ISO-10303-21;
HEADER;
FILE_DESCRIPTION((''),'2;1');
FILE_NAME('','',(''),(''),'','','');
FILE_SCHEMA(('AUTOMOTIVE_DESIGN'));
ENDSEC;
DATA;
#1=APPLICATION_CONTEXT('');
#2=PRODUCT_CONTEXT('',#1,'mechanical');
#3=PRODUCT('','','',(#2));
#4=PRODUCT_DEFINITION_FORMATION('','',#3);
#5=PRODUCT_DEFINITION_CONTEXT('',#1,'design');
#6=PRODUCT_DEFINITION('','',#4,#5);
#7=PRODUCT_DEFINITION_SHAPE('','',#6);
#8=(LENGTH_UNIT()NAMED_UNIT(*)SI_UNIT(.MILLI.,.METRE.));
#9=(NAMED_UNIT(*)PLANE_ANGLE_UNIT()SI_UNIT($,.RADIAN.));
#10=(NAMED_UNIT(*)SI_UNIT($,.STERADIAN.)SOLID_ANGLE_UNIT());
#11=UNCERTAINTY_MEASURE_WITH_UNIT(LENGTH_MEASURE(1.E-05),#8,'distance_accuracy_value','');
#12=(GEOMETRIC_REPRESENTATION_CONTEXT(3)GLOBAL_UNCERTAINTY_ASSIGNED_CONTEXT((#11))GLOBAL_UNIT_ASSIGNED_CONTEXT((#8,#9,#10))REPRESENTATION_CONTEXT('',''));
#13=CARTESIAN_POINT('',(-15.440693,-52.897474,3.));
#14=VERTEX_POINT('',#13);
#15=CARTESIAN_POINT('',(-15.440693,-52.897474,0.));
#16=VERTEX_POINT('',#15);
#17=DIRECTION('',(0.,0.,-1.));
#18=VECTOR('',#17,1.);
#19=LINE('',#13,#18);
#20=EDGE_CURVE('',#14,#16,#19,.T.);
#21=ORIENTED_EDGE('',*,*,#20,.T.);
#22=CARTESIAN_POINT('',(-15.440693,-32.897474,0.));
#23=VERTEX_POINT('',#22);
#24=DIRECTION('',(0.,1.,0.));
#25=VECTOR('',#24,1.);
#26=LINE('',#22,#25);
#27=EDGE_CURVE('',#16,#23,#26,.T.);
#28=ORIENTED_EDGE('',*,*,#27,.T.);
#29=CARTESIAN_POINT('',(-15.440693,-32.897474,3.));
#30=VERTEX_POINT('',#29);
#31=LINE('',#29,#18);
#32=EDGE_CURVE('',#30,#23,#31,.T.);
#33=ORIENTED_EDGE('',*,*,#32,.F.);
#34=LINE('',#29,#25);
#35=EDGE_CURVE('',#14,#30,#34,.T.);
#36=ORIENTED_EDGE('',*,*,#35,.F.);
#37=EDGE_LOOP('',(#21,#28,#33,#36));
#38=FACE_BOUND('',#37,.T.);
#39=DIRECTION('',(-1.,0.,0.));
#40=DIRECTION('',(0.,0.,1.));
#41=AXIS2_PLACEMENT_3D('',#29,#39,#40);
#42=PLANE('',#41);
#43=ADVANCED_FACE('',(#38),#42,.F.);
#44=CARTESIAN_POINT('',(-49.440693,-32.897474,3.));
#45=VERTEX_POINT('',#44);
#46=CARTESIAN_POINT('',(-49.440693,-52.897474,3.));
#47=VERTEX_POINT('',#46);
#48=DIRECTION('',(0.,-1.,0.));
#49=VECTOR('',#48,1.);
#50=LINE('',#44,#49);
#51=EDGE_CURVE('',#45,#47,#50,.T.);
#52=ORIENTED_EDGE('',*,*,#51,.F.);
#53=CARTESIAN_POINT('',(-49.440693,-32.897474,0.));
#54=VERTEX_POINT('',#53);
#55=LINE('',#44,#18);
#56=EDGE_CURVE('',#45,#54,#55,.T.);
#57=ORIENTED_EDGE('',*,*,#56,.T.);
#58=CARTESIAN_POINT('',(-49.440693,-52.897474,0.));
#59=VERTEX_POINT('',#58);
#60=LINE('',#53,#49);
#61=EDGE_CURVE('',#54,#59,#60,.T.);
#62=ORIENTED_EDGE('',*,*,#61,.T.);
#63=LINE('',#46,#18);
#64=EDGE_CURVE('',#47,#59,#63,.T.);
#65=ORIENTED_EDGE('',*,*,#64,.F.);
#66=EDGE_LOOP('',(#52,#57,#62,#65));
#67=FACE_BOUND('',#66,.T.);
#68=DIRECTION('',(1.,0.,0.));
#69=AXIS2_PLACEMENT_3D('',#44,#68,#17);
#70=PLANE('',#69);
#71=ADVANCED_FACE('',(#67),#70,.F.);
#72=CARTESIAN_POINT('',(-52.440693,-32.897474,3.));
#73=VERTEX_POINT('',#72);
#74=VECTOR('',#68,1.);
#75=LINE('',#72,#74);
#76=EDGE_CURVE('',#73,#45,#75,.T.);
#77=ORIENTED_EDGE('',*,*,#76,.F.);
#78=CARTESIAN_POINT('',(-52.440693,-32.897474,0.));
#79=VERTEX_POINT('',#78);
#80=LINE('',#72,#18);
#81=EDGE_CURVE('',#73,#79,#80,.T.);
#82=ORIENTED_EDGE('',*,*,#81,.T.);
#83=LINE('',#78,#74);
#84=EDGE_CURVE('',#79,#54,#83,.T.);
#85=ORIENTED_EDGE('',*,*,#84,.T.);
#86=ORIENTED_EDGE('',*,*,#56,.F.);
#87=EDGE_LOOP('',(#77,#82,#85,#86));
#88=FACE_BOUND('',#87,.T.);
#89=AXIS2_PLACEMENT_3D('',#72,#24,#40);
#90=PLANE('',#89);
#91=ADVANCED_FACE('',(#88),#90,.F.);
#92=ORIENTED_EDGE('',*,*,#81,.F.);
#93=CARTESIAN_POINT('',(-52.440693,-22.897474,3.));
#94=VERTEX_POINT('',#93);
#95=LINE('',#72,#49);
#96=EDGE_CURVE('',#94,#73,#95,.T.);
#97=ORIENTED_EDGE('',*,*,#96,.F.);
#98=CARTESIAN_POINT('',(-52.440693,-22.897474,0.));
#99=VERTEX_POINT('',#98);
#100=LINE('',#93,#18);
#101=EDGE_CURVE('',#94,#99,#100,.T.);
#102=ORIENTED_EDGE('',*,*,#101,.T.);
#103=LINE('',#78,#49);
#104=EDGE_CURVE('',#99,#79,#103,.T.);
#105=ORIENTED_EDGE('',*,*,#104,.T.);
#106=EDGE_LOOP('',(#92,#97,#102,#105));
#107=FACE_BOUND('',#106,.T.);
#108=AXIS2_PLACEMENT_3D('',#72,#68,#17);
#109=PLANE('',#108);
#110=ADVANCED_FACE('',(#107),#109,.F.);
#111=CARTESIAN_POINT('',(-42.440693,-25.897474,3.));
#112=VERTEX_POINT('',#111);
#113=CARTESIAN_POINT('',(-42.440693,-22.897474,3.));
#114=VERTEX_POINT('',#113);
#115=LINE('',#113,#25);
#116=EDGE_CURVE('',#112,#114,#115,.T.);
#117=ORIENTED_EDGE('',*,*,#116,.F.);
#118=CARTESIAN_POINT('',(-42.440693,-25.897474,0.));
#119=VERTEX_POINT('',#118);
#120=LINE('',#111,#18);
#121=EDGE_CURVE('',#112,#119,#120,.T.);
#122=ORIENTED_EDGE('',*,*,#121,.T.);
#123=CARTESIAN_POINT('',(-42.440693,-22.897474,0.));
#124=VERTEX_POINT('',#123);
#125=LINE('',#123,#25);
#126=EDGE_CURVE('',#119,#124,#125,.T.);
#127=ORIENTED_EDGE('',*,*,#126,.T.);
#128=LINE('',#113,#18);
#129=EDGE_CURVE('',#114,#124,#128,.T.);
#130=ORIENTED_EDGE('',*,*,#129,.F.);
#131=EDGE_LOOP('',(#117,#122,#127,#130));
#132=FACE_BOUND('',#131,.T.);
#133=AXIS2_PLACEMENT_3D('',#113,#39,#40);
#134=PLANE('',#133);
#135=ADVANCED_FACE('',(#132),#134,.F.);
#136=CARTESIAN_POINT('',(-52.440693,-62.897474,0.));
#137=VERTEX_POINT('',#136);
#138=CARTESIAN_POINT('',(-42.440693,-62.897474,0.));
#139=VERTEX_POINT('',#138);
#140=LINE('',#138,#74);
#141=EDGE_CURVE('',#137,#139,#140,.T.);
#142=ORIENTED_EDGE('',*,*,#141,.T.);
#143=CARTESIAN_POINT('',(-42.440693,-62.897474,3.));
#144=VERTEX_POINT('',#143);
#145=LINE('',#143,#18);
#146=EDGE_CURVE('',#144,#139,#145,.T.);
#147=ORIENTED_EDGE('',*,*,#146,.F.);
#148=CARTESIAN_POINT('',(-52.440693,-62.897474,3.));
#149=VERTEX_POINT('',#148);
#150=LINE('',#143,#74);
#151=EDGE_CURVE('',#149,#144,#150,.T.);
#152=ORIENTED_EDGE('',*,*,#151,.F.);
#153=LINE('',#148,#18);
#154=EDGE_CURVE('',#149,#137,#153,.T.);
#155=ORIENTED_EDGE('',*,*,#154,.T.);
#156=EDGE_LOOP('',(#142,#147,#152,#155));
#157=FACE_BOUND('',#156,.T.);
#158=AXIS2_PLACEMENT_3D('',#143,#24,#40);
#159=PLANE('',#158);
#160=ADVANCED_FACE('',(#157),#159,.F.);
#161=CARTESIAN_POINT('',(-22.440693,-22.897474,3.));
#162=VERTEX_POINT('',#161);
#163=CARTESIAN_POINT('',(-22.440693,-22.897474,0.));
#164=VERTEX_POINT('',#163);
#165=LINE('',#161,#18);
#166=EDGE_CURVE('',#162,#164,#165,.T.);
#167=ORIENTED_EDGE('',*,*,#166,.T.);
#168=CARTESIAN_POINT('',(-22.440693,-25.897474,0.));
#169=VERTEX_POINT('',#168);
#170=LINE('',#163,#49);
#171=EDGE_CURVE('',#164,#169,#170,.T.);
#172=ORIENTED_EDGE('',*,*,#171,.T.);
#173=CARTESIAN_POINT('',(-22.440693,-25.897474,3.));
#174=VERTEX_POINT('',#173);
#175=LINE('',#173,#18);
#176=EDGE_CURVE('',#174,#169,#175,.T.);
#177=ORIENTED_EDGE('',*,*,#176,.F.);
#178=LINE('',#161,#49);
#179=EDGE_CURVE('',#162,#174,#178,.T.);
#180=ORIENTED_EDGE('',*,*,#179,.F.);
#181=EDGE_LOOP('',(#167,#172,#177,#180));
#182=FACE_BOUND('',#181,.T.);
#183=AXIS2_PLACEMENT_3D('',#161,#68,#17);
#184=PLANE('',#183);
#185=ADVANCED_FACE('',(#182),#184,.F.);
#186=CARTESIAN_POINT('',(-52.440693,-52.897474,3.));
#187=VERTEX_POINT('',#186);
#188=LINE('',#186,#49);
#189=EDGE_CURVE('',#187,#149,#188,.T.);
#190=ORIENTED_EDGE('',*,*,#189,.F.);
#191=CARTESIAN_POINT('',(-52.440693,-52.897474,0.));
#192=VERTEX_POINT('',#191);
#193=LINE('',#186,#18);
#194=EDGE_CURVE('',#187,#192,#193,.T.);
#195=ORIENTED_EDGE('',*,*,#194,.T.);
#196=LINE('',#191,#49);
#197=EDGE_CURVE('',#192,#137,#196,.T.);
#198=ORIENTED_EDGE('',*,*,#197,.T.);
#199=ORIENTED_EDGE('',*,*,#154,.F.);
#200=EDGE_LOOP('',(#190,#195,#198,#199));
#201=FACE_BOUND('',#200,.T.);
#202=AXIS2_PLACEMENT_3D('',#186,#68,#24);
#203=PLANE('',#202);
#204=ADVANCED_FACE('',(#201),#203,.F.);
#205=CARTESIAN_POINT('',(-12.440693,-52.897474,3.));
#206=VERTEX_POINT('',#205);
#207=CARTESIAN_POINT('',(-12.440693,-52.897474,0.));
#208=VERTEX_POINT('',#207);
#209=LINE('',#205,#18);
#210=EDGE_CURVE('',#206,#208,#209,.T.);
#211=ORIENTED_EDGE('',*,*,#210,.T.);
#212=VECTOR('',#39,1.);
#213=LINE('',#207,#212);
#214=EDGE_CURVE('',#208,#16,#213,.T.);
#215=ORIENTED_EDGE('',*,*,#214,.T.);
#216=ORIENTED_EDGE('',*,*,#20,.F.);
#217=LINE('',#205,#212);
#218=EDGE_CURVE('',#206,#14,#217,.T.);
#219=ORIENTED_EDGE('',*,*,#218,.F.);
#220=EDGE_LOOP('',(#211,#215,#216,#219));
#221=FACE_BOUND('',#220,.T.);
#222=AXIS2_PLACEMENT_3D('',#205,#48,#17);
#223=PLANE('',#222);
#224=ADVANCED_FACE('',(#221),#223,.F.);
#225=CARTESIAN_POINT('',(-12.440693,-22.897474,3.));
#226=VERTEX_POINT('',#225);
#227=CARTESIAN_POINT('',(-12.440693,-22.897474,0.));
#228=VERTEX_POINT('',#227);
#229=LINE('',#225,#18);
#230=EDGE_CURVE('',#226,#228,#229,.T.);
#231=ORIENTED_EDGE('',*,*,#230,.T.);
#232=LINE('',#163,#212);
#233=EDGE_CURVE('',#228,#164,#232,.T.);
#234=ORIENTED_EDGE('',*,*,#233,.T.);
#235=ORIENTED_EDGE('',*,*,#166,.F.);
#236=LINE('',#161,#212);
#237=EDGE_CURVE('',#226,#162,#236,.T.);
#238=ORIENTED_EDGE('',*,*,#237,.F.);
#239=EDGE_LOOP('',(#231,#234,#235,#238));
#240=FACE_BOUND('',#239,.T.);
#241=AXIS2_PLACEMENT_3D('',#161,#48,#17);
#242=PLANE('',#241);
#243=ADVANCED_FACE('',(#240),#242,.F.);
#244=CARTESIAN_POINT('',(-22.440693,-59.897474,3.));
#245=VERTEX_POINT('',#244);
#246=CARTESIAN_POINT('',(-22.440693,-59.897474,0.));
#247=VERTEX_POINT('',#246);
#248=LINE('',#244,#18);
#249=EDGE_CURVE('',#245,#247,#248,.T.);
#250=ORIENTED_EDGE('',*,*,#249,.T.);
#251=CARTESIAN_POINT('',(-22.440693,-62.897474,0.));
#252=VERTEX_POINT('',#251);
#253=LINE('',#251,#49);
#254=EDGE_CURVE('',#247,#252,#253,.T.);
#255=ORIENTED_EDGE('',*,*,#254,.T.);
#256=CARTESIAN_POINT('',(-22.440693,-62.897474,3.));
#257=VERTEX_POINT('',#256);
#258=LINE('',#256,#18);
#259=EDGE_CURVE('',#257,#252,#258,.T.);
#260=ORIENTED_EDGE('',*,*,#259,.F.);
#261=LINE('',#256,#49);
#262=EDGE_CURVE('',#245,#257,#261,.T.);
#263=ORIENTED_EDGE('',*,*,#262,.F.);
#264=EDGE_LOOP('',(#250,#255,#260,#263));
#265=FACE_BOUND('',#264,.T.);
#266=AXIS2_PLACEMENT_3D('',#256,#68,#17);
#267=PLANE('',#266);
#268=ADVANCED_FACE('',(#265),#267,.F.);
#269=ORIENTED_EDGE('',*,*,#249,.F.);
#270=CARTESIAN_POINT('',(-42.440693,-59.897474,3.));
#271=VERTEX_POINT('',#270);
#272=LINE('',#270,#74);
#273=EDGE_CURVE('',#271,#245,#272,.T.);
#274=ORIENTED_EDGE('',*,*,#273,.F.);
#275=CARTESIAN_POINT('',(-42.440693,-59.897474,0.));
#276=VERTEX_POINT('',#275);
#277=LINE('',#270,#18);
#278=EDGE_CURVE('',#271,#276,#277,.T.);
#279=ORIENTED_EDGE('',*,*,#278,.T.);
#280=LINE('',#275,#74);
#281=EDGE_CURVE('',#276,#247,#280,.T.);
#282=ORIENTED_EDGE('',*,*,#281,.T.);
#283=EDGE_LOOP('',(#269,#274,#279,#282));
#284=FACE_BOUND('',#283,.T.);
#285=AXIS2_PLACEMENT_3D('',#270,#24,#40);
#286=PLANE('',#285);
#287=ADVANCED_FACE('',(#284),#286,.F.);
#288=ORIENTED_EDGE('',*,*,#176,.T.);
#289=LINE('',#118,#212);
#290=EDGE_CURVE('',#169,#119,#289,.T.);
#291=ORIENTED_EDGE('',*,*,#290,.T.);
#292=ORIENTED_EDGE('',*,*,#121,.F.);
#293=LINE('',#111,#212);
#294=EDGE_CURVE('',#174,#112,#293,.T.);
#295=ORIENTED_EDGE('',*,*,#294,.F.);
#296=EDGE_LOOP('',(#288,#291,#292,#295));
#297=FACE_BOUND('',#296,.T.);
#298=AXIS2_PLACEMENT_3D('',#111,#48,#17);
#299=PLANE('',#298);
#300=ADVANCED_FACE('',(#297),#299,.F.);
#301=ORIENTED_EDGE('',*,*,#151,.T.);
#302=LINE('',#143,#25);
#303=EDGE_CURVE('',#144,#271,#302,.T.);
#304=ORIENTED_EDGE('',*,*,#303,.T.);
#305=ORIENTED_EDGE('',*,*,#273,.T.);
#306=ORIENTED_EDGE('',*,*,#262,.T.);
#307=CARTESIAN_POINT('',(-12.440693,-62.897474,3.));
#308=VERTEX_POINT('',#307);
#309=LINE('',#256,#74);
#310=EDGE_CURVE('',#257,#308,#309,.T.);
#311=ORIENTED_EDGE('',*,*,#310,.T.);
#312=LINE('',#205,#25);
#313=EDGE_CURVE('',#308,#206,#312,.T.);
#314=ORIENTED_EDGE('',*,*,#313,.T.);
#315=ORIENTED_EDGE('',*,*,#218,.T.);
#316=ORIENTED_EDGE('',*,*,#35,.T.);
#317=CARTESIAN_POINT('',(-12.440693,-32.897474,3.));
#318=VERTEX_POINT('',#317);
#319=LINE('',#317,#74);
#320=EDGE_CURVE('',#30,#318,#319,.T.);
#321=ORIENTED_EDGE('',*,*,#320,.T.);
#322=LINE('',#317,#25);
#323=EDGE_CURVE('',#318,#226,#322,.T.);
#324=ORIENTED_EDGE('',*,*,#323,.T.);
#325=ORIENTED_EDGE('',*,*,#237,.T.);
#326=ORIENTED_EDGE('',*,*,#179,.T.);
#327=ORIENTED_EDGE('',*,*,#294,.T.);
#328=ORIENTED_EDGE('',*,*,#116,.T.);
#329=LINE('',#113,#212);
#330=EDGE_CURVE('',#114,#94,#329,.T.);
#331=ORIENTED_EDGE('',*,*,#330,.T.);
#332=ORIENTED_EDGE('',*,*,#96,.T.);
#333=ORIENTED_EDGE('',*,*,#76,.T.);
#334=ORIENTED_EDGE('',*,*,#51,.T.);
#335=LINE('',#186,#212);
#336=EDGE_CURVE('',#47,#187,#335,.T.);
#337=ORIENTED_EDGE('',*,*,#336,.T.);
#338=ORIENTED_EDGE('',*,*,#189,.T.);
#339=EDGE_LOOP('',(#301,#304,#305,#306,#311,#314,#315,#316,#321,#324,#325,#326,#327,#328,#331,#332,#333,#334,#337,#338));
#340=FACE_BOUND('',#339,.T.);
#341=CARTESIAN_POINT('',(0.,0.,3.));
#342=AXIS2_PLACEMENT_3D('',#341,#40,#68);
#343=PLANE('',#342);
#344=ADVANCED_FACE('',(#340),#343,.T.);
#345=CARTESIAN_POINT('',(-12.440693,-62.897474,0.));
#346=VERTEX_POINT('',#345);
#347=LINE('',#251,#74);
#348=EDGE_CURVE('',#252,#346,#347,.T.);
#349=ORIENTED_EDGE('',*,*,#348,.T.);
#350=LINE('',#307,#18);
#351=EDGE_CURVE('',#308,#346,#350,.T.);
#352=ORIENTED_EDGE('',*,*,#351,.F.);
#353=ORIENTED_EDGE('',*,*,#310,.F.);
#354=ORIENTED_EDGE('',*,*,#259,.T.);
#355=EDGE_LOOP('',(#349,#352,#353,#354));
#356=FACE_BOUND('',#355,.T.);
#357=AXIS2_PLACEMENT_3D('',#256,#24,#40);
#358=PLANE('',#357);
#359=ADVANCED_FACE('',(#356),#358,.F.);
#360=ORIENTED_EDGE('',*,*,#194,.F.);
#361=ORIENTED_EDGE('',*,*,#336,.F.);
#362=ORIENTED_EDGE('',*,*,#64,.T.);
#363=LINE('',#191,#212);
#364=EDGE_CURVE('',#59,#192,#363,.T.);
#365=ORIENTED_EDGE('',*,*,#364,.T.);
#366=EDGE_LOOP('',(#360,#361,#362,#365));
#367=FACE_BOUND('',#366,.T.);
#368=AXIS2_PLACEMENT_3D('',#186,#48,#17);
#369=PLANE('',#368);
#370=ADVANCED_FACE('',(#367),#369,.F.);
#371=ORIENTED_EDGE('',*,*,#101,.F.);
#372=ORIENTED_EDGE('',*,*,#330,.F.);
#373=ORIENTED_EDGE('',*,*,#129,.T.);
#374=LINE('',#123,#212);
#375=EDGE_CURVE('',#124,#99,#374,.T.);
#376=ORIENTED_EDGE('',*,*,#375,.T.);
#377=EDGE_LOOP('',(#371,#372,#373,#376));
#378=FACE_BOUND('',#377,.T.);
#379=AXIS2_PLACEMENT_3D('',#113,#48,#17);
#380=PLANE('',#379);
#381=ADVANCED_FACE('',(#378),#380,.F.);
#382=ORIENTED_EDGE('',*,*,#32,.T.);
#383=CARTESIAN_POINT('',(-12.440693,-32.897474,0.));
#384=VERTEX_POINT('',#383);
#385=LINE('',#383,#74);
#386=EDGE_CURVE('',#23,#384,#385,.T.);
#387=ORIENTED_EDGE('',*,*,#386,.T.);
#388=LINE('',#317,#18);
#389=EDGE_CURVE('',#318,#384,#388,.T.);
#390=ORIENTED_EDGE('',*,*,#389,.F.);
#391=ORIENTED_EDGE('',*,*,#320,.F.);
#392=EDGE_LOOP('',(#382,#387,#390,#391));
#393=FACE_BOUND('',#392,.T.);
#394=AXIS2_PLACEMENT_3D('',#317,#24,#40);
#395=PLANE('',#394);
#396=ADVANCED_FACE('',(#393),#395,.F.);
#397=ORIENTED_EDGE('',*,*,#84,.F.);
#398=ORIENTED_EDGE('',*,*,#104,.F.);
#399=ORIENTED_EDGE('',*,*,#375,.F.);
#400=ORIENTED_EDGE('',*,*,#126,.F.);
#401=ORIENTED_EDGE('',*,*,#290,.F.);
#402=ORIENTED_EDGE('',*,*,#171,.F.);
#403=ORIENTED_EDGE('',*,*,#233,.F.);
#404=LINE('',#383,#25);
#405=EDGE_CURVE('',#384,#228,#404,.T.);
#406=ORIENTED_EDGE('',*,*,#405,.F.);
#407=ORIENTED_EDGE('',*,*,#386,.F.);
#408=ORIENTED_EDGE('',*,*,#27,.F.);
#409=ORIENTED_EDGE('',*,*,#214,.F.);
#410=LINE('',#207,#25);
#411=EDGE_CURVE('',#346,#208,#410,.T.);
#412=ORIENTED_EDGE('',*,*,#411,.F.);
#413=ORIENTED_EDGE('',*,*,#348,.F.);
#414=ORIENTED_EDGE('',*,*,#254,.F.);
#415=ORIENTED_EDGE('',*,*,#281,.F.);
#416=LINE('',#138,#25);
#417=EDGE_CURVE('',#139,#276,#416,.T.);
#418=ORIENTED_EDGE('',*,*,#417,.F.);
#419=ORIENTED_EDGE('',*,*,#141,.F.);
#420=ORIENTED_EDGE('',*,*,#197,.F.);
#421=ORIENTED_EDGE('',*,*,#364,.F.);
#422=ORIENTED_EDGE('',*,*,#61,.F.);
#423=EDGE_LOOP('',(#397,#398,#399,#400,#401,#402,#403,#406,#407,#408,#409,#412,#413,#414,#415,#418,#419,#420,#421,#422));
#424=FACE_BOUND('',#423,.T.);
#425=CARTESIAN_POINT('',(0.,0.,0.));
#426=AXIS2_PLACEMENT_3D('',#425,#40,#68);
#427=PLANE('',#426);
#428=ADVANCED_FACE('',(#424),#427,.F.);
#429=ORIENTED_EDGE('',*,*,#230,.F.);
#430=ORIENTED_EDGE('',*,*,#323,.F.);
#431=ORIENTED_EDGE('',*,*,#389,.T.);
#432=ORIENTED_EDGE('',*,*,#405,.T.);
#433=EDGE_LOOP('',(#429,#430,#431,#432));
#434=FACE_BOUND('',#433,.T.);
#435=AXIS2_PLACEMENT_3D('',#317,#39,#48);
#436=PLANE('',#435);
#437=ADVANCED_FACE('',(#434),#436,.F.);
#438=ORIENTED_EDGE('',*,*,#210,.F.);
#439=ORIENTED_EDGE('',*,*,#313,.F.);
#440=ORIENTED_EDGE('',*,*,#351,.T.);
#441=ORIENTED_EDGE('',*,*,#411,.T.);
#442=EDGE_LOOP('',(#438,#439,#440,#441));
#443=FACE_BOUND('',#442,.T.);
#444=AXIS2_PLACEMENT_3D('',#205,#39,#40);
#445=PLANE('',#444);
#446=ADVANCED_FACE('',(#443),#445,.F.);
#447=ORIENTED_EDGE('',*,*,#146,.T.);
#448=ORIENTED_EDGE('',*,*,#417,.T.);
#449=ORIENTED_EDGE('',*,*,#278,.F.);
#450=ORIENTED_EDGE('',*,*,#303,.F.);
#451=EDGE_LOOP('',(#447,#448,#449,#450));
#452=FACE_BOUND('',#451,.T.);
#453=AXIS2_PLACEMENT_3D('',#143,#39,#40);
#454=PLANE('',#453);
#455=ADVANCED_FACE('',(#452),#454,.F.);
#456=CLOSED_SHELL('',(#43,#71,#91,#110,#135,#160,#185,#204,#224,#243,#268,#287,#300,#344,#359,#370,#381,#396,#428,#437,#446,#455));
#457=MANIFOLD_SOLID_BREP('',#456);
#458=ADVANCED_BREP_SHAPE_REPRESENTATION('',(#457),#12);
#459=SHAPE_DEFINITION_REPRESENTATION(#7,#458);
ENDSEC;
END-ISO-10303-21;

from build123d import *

# Parameters (mm, degrees)
SALIENTE_EXTRUIR1_DEPTH = 3


with BuildPart() as part:
    # Croquis1 → Saliente-Extruir1 (new body)
    with BuildSketch(Plane.XY):
        Polygon((-42.440693286, -22.897473621), (-42.440693286, -25.897473621), (-22.440693286, -25.897473621), (-22.440693286, -22.897473621), (-12.440693286, -22.897473621), (-12.440693286, -32.897473621), (-15.440693286, -32.897473621), (-15.440693286, -52.897473621), (-12.440693286, -52.897473621), (-12.440693286, -62.897473621), (-22.440693286, -62.897473621), (-22.440693286, -59.897473621), (-42.440693286, -59.897473621), (-42.440693286, -62.897473621), (-52.440693286, -62.897473621), (-52.440693286, -52.897473621), (-49.440693286, -52.897473621), (-49.440693286, -32.897473621), (-52.440693286, -32.897473621), (-52.440693286, -22.897473621), align=None)
    extrude(amount=SALIENTE_EXTRUIR1_DEPTH)


solid = part.part
